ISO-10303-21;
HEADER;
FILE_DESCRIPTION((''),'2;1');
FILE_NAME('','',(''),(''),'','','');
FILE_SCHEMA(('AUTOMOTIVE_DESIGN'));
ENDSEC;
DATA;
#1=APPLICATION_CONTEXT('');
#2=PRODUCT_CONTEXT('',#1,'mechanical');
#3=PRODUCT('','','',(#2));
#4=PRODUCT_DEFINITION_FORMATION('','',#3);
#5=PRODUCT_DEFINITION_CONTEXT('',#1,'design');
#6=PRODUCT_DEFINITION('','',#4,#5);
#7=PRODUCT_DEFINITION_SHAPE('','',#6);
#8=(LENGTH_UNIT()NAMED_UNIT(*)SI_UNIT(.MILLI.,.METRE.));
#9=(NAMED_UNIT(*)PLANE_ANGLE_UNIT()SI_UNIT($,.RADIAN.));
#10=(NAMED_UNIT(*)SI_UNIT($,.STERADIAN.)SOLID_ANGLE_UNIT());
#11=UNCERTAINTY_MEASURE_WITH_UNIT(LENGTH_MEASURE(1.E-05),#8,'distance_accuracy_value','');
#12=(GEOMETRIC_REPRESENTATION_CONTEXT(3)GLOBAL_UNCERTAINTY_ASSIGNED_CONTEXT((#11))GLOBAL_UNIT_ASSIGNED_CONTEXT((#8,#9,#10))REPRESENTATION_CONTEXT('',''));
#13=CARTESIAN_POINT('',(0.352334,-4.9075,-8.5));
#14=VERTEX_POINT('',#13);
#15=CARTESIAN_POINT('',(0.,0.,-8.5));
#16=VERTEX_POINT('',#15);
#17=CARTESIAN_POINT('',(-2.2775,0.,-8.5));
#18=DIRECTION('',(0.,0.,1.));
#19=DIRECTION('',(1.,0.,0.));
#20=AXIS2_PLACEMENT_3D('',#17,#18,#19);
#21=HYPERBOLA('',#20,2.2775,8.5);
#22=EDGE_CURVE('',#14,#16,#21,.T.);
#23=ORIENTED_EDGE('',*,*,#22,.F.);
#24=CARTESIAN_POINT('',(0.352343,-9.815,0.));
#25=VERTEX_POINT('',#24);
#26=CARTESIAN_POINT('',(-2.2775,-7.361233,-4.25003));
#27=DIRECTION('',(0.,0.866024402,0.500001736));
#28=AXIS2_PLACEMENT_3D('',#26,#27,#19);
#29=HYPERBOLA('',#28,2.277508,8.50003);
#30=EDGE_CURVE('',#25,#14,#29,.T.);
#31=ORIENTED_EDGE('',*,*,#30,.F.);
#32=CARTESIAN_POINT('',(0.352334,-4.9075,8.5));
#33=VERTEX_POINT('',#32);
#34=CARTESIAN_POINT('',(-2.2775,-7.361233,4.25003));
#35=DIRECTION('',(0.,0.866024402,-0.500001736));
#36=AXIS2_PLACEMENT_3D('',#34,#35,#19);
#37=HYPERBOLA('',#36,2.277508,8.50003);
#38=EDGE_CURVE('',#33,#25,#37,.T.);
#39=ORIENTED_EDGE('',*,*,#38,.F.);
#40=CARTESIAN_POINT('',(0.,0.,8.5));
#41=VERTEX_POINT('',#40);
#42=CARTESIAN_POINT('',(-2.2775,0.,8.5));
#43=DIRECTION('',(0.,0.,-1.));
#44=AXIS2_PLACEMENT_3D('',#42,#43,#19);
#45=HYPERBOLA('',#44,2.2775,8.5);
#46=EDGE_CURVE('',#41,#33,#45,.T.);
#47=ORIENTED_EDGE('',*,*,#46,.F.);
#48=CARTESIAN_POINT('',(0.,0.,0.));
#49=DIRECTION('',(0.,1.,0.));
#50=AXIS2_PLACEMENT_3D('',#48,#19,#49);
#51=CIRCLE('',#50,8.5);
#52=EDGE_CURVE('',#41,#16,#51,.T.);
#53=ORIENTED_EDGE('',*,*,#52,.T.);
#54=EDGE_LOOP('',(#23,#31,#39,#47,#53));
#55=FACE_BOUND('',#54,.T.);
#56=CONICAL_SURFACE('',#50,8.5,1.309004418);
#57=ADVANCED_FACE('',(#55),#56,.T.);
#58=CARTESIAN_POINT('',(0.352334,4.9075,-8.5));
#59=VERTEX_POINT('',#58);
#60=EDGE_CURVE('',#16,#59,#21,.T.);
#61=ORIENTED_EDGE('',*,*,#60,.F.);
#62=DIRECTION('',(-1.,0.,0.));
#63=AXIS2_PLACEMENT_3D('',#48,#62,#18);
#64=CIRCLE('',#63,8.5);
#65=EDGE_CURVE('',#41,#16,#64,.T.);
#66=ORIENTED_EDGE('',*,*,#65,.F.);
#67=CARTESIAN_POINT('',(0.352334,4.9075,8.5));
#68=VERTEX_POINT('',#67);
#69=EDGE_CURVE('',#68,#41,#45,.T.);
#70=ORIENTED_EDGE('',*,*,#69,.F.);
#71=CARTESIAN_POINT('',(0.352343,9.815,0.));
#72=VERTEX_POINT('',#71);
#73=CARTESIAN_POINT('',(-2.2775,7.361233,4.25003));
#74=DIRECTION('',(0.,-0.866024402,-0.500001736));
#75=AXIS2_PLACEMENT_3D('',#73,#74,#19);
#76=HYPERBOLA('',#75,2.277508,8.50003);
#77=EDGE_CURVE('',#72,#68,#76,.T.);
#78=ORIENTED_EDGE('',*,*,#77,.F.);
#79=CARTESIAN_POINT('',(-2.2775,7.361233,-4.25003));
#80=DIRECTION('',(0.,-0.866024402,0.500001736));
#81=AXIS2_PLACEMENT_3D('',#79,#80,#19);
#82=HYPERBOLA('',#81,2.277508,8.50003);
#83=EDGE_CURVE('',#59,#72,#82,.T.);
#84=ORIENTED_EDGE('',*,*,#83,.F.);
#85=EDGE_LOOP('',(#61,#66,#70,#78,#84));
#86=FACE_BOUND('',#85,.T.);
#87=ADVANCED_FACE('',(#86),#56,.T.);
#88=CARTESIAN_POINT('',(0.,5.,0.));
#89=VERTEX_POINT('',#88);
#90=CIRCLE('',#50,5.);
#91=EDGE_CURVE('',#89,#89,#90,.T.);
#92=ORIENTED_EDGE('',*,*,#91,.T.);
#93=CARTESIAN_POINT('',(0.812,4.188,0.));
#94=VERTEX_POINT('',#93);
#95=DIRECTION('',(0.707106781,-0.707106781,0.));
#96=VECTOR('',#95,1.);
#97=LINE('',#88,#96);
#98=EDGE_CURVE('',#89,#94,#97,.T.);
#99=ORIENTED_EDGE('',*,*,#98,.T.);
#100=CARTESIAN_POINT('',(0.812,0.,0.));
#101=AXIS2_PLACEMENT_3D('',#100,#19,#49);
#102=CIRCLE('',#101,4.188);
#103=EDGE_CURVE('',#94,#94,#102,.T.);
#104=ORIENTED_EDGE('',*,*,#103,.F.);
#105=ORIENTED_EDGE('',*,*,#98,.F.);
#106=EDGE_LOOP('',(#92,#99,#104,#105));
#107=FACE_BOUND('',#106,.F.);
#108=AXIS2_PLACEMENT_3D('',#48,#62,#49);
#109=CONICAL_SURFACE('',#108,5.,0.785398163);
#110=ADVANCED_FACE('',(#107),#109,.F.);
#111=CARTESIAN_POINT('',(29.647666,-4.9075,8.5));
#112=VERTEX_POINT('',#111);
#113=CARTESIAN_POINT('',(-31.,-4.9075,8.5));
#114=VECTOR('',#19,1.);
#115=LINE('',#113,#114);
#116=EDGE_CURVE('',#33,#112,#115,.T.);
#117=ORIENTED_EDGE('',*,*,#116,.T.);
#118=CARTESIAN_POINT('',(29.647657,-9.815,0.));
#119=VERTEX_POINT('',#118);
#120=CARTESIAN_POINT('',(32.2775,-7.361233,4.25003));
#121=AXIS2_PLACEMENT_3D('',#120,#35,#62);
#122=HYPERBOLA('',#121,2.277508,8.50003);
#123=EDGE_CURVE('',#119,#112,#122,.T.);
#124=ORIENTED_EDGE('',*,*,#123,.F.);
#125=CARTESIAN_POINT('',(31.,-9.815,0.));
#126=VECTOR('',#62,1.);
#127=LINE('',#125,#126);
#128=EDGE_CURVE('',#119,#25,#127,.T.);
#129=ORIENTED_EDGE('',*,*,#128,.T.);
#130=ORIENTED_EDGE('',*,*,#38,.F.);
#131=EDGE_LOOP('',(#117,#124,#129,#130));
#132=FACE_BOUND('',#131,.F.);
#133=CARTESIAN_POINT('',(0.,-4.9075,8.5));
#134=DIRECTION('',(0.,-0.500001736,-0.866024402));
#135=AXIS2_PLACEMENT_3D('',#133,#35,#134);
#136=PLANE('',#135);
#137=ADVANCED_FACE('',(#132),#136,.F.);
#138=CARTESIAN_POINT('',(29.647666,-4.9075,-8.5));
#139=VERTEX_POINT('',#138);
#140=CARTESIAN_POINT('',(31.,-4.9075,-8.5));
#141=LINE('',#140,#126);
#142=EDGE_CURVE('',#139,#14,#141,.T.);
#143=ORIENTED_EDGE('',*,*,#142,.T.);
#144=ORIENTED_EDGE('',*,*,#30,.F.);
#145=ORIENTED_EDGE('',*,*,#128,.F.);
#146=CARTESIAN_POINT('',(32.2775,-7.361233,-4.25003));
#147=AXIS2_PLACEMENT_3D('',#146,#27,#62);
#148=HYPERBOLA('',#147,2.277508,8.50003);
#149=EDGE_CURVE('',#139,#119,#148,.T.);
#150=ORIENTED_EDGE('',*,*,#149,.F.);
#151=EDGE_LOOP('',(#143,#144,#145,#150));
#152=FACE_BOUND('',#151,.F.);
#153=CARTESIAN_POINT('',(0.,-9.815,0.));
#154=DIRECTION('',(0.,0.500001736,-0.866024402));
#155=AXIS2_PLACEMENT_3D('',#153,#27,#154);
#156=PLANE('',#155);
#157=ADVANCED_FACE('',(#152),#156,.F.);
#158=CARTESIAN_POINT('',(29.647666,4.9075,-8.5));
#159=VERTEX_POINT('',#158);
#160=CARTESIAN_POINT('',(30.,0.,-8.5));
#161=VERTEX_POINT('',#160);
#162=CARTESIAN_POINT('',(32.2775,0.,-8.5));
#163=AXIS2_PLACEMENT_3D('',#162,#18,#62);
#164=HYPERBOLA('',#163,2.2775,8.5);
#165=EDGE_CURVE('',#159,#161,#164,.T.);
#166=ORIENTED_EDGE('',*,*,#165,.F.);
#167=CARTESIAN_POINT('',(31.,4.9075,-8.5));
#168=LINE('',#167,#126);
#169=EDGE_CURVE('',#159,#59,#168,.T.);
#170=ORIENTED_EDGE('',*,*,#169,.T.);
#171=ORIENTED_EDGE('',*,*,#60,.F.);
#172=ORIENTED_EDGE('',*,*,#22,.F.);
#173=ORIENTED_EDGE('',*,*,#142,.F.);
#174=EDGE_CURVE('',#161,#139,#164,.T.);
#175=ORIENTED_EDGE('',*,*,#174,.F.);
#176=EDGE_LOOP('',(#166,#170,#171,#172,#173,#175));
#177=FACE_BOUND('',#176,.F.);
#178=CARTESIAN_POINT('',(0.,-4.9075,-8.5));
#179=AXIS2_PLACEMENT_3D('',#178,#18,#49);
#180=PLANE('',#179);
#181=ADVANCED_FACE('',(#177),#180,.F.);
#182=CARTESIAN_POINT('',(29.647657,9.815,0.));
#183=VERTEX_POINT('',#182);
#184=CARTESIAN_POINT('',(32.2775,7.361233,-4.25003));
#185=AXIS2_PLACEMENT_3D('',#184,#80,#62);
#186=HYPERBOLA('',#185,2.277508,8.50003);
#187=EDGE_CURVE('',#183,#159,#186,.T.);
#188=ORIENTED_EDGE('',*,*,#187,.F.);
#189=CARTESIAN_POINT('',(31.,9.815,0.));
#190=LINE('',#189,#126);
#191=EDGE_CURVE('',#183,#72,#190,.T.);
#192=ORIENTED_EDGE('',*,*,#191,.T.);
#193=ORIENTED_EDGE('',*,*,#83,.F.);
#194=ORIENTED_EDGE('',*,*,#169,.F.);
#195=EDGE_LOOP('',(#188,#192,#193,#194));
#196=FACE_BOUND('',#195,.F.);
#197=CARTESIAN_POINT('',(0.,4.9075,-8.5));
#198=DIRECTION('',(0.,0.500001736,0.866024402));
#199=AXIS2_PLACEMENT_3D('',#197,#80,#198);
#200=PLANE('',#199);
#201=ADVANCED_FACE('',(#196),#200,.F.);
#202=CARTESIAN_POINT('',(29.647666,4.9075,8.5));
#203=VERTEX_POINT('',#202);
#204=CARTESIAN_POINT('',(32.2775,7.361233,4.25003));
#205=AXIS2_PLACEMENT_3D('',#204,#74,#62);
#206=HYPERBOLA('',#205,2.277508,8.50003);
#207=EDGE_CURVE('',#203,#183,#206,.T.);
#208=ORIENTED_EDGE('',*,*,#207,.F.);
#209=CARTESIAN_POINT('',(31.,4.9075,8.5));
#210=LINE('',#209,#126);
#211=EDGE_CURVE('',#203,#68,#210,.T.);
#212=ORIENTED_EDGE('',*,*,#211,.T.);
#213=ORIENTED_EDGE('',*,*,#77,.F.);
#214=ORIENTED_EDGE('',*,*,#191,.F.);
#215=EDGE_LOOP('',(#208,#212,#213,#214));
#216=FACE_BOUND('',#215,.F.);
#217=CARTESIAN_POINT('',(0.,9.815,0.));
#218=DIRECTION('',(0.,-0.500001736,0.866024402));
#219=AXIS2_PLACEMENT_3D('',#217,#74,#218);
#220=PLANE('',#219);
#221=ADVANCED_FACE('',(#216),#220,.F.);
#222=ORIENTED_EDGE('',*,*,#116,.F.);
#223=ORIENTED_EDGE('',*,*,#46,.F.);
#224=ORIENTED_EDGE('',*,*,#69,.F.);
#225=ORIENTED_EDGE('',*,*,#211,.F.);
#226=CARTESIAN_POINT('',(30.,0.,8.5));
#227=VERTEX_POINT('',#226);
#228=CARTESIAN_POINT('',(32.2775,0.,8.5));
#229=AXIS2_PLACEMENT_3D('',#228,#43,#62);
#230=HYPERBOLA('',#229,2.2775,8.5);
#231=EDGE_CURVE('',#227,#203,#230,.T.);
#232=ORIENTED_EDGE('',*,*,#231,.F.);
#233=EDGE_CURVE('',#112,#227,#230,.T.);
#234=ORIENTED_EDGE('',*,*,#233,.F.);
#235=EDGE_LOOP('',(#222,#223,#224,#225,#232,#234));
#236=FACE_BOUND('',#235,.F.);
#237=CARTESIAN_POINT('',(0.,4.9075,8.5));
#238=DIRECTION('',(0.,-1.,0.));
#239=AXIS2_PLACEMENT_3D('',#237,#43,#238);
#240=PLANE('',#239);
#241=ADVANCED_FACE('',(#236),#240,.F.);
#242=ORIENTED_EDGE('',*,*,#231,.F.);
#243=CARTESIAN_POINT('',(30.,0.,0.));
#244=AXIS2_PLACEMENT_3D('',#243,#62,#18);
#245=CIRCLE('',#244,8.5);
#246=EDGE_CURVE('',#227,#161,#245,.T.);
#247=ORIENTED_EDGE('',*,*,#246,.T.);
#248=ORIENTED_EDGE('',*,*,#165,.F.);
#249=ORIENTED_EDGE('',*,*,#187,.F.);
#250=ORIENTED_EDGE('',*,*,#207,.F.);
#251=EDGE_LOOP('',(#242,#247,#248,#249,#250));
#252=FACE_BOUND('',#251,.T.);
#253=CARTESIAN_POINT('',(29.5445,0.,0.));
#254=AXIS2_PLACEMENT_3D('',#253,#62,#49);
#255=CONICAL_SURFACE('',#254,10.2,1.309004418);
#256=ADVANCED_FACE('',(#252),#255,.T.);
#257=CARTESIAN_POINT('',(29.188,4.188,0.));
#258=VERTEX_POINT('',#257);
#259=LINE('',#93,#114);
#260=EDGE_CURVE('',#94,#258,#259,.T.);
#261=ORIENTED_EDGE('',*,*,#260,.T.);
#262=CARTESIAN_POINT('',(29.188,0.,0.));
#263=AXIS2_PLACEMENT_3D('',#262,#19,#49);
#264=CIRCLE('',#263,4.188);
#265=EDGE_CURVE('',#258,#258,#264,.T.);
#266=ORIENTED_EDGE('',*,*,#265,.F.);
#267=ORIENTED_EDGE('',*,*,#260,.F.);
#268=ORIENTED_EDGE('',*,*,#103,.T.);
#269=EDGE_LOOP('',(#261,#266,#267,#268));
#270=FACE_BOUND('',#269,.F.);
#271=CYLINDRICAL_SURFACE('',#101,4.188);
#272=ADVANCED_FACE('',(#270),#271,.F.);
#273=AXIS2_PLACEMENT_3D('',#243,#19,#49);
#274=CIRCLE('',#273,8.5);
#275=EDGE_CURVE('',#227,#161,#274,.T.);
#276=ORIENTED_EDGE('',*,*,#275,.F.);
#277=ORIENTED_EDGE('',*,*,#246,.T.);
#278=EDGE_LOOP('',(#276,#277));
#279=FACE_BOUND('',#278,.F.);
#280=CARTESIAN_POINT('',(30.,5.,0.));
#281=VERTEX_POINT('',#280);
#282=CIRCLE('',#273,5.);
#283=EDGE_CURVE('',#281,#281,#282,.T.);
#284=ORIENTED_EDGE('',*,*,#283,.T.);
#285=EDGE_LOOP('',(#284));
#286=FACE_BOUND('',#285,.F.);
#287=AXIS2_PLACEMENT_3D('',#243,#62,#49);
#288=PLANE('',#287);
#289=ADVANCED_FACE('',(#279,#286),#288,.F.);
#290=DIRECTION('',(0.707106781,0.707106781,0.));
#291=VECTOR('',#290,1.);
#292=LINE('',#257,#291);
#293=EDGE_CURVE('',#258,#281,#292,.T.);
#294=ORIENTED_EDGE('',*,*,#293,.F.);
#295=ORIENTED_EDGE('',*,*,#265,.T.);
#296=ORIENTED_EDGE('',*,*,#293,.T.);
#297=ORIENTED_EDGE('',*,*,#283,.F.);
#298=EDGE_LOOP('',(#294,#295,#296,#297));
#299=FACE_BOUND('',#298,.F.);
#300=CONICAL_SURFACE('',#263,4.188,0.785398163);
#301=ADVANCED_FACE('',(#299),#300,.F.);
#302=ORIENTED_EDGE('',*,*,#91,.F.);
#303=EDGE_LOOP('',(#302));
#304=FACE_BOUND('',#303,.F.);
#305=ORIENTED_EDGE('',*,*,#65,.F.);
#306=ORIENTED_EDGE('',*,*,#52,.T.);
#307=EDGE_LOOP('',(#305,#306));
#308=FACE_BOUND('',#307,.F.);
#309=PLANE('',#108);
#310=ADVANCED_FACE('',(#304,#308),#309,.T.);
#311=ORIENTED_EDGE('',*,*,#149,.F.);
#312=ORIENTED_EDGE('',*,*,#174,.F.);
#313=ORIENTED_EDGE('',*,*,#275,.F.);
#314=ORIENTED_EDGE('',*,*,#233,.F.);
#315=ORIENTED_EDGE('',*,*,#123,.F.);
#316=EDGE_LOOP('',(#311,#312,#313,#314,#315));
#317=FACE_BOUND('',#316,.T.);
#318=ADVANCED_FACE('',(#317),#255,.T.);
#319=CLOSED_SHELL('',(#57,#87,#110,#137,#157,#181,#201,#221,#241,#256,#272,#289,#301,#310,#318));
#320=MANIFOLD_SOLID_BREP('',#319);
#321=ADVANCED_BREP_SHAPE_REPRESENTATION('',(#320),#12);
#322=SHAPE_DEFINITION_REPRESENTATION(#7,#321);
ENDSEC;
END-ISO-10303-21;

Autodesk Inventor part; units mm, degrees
sketch "Sketch_1" plane through (0, 0, 0) normal (0, 0, 1) x (1, 0, 0)
  line L0 (30, 0) -> (0, 0)
  line L1 (0, 0) -> (0, 10.2)
  line L2 (0, 10.2) -> (30, 10.2)
  line L3 (30, 10.2) -> (30, 0)
  line L4 (30, 0) -> (0, 0)
revolve "Revolution1" add sketch "Sketch_1" angle 360 about axis through (30, 0, 0) along (-1, 0, 0)
sketch "Sketch_4" plane through (0, 0, 0) normal (0, 0, 1) x (1, 0, 0)
  line L0 (30, 0) -> (0, 0)
  line L1 (0, 8.5) -> (0.4555, 10.2)
  line L2 (0.4555, 10.2) -> (0, 10.2)
  line L3 (0, 10.2) -> (0, 8.5)
revolve "Revolution2" cut sketch "Sketch_4" angle 360 about axis through (30, 0, 0) along (1, 0, 0)
sketch "Sketch_5" plane through (0, 0, 0) normal (0, 0, 1) x (1, 0, 0)
  line L0 (30, 0) -> (0, 0)
  line L1 (29.5445, 10.2) -> (30, 8.5)
  line L2 (30, 8.5) -> (30, 10.2)
  line L3 (30, 10.2) -> (29.5445, 10.2)
revolve "Revolution3" cut sketch "Sketch_5" angle 360 about axis through (30, 0, 0) along (1, 0, 0)
sketch "Sketch_3" plane through (0, 0, 0) normal (0, 0, 1) x (1, 0, 0)
  line L0 (30, 0) -> (0, 0)
  line L1 (0, 0) -> (0, 5)
  line L2 (0, 5) -> (0.812, 4.188)
  line L3 (0.812, 4.188) -> (29.188, 4.188)
  line L4 (29.188, 4.188) -> (30, 5)
  line L5 (30, 5) -> (30, 0)
  line L6 (30, 0) -> (0, 0)
revolve "Revolution4" cut sketch "Sketch_3" angle 360 about axis through (30, 0, 0) along (1, 0, 0)
thread "Thread1" size "M10x1.5" class "6H" standard "ISO Metric profile" full length
sketch "Sketch_2" plane through (0, 0, 0) normal (1, 0, 0) x (0, 1, 0)
  line L0 (34, 34) -> (-34, 34)
  line L1 (-34, 34) -> (-34, -34)
  line L2 (-34, -34) -> (34, -34)
  line L3 (34, -34) -> (34, 34)
  line L4 (-4.9075, 8.5) -> (-9.815, 0)
  line L5 (-9.815, 0) -> (-4.9075, -8.5)
  line L6 (-4.9075, -8.5) -> (4.9075, -8.5)
  line L7 (4.9075, -8.5) -> (9.815, 0)
  line L8 (9.815, 0) -> (4.9075, 8.5)
  line L9 (4.9075, 8.5) -> (-4.9075, 8.5)
extrude "Extrusion1" cut sketch "Sketch_2" along normal mid plane 62
ref_plane "IP1_XY" through (0, 0, 0) normal (1, 0, 0) x (0, 0, -1)
ref_plane "IP1_YZ" through (0, 0, 0) normal (0, 0, -1) x (0, 1, 0)
ref_plane "IP1_ZX" through (0, 0, 0) normal (0, 1, 0) x (1, 0, 0)
ref_plane "IP2_XY" through (30, 0, 0) normal (1, 0, 0) x (0, 0, -1)
ref_plane "IP2_YZ" through (30, 0, 0) normal (0, 0, -1) x (0, 1, 0)
ref_plane "IP2_ZX" through (30, 0, 0) normal (0, 1, 0) x (1, 0, 0)
properties part number "Hexagon nut DIN 6334 M10 51103.100.040(High)"
